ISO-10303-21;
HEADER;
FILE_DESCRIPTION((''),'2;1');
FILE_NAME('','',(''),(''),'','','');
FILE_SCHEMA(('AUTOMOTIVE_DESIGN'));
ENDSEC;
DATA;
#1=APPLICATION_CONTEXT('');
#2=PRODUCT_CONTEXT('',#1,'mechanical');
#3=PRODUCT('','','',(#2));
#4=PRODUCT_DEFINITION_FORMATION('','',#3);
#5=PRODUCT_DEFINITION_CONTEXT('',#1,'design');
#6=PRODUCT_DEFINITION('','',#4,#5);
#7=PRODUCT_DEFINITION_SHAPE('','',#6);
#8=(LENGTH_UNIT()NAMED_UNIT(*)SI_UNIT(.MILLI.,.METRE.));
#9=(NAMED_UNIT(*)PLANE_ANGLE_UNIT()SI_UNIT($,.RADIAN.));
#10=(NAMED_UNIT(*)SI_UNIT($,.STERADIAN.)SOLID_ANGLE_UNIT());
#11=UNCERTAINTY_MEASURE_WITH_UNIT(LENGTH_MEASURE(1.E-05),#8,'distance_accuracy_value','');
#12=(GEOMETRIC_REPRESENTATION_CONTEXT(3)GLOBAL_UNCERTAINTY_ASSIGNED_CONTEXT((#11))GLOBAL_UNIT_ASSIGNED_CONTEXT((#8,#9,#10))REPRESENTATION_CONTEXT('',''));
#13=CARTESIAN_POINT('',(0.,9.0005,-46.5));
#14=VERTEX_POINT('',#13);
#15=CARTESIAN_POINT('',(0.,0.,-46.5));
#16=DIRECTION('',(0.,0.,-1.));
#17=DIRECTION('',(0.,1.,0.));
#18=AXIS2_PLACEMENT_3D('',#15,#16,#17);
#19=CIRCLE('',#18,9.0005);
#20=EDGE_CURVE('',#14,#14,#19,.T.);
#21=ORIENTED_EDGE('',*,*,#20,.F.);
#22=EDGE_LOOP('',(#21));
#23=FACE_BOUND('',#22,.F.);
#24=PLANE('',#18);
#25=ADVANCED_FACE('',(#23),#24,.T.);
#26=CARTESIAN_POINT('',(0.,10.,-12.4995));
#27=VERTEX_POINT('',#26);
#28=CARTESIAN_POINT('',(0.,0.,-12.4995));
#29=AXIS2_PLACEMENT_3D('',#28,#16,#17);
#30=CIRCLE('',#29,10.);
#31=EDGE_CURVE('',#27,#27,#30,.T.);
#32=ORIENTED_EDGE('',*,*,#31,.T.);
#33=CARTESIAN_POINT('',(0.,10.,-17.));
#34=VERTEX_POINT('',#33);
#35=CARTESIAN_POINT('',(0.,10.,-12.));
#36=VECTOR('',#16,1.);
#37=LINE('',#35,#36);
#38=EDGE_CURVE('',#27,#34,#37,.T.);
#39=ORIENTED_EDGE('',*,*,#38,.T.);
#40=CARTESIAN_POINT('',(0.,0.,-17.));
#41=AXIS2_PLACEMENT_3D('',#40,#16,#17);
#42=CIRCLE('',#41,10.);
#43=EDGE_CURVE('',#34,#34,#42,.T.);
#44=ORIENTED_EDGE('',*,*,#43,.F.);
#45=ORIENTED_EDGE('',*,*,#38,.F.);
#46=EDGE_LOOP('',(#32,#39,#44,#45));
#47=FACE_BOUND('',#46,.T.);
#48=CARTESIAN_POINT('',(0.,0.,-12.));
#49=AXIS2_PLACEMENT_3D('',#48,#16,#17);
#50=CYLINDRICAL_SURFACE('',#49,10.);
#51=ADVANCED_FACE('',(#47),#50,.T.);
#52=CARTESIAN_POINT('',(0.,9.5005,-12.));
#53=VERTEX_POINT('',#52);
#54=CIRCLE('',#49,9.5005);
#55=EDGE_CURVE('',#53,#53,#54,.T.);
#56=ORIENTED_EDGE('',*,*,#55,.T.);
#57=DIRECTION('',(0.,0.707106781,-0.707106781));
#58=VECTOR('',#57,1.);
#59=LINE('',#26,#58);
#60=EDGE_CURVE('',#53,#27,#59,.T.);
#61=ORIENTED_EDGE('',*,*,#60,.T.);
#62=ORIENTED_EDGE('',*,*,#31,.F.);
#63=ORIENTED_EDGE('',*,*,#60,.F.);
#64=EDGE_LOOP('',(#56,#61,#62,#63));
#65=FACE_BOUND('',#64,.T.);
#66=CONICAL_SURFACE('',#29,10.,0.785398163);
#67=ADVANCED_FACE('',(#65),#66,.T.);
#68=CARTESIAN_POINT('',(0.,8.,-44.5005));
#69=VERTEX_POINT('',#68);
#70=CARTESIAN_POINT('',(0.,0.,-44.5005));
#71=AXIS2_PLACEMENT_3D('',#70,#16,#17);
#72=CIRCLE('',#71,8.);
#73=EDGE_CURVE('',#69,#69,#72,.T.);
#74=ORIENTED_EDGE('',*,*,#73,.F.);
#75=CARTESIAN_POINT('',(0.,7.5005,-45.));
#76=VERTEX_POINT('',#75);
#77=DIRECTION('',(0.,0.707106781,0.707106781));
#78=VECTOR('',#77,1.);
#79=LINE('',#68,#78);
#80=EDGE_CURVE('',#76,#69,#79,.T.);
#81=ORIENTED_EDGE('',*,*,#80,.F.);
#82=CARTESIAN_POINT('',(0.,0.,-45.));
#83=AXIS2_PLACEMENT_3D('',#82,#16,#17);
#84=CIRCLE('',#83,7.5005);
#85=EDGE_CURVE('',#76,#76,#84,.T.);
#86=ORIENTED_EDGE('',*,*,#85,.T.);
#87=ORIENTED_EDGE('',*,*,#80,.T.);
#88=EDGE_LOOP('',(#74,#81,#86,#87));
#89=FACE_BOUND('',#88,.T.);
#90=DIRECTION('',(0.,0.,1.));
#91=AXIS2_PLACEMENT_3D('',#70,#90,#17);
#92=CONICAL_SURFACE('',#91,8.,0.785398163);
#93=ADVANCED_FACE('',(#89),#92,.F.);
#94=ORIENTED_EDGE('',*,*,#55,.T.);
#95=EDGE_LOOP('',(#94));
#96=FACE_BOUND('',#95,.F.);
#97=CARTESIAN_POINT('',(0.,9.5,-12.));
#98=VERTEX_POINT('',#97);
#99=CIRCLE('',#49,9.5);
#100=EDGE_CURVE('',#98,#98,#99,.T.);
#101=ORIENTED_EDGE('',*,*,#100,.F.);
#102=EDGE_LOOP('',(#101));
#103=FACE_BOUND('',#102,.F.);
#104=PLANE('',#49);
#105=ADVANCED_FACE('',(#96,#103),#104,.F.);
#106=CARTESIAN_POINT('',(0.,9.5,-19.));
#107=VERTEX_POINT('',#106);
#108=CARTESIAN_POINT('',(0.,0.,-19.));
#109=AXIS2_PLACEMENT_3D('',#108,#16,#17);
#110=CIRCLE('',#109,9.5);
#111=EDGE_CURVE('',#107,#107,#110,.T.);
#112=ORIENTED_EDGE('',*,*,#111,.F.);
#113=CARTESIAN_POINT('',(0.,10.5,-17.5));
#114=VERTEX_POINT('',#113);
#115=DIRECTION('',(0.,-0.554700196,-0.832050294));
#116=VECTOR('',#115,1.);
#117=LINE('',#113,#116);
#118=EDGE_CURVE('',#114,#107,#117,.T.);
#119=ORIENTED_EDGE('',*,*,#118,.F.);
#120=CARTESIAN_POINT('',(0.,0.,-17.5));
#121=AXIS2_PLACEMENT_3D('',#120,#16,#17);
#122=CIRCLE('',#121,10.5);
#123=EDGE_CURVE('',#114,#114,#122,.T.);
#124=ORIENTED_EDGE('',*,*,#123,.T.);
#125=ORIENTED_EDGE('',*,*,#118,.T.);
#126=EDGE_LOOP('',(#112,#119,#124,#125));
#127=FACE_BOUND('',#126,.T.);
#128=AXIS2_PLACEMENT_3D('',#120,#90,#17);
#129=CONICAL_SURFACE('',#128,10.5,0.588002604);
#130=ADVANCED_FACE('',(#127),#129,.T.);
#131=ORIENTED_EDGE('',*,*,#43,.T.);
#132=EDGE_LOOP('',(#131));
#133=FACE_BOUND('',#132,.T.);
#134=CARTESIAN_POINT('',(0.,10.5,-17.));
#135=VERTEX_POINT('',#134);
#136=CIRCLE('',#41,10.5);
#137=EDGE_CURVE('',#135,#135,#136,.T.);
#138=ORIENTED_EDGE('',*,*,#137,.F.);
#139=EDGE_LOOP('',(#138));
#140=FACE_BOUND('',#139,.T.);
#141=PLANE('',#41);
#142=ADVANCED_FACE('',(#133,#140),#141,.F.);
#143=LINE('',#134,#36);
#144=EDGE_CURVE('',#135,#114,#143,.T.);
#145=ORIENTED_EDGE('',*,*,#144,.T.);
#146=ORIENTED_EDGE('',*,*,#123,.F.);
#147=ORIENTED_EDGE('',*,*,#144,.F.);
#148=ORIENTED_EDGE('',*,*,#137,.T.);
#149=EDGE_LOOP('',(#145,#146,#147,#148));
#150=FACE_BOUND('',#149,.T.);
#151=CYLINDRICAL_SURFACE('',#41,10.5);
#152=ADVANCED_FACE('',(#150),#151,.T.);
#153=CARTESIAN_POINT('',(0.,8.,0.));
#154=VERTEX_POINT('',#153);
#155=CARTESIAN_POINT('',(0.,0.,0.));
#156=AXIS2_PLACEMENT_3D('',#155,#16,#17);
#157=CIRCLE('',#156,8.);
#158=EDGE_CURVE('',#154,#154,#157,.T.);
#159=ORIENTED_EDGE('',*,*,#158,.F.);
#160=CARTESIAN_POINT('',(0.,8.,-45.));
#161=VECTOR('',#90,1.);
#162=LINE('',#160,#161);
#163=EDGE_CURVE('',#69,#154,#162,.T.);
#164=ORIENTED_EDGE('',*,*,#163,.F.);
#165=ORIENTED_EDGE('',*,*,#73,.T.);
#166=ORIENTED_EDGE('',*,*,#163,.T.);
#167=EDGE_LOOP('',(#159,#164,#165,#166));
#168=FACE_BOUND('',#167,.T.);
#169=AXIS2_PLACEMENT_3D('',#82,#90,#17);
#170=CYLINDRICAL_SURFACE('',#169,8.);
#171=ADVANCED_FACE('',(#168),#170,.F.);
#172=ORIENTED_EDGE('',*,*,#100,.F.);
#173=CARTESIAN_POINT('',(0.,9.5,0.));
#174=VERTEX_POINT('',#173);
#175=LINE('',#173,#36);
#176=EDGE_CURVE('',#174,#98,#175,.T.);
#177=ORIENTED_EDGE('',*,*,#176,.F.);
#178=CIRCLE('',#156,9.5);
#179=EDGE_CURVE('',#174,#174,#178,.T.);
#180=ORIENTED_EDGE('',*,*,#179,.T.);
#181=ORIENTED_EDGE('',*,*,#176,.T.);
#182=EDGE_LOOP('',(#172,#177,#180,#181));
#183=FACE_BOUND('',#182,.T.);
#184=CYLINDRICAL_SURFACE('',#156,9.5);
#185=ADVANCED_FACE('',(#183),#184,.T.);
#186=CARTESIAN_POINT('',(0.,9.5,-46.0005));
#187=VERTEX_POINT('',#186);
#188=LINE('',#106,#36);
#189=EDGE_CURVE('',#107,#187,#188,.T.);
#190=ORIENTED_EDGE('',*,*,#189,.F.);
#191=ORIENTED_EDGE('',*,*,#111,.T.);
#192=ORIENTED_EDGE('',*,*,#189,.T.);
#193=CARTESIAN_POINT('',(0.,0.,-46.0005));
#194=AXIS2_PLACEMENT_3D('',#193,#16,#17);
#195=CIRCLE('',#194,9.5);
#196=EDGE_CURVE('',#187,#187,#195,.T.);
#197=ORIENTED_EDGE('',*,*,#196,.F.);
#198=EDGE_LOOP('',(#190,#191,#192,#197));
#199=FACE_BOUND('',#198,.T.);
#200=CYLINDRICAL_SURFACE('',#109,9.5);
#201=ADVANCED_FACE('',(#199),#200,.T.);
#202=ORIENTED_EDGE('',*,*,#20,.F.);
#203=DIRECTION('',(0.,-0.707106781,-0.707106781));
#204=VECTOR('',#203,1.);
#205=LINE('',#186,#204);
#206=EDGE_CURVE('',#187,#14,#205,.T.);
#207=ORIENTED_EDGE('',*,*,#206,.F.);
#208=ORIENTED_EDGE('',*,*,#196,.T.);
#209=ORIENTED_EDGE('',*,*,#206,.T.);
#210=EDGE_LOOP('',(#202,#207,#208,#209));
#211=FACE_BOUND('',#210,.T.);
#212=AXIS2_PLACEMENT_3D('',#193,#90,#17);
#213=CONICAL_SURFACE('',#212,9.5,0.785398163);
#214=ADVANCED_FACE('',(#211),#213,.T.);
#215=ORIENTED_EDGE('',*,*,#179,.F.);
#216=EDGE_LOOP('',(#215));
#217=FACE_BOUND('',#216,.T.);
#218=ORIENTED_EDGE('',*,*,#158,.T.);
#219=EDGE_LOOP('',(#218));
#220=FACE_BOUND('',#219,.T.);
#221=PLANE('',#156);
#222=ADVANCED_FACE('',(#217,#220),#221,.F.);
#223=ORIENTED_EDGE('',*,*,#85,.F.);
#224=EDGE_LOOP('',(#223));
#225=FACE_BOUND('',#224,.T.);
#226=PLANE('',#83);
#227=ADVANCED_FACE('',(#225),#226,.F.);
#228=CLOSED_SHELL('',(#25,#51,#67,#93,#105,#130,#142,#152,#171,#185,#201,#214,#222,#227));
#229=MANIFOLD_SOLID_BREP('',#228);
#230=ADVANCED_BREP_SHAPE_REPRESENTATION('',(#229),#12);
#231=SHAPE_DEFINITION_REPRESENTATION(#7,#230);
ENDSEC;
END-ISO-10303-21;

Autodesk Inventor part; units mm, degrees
ref_plane "YZ Plane" through (0, 0, 0) normal (1, 0, 0) x (0, 1, 0)
ref_plane "XZ Plane" through (0, 0, 0) normal (0, 1, 0) x (-1, 0, 0)
ref_plane "XY Plane" through (0, 0, 0) normal (0, 0, 1) x (1, 0, 0)
sketch "Esquisse3" plane through (0, 0, 0) normal (1, 0, 0) x (0, 1, 0)
  line L0 (0, 0) -> (0, -34.8052)
  line L1 (0, -45) -> (8, -45)
  line L2 (8, -45) -> (8, 0)
  line L3 (0, -45) -> (0, -46.5)
  line L4 (0, -46.5) -> (9.5, -46.5)
  line L5 (8, 0) -> (9.5, 0)
  line L6 (9.5, 0) -> (9.5, -12)
  line L7 (10, -12) -> (10, -17)
  line L8 (9.5, -19) -> (9.5, -46.5)
  line L9 (10, -17) -> (10.5, -17)
  line L10 (10.5, -17) -> (10.5, -17.5)
  line L11 (10.5, -17.5) -> (9.5, -19)
  line L12 (10, -12) -> (9.5, -12)
  dimension "d6" = 1.5
  dimension "d7" = 16
  dimension "d8" = 1.5
  dimension "d10" = 45
  dimension "d16" = 2
  dimension "d17" = 1.5
  dimension "d32" = 0.5
  dimension "d33" = 1.5
  dimension "d34" = 5
  dimension "d35" = 0.5
  dimension "d36" = 12
revolve "Révolution1" add sketch "Esquisse3" angle 360 about axis through (0, 0, 0) along (0, 0, -1)
thread "Filetage2" size "M20x1" class "6g" standard "ISO Metric profile" full length
chamfer "Chanfrein4" distance 0.5 angle 45 3 edges at (0, -10, -12) (0, -9.5, -46.5) (0, -8, -45)
thread "Filetage3" size "M16x1" class "6H" standard "ISO Metric profile" length 4
equation "\"d6\" = d5"
equation "\"d35\" = d32"
equation "\"d5\" = 1.5"
properties part number "cartridge_locker_piston_cyl"
